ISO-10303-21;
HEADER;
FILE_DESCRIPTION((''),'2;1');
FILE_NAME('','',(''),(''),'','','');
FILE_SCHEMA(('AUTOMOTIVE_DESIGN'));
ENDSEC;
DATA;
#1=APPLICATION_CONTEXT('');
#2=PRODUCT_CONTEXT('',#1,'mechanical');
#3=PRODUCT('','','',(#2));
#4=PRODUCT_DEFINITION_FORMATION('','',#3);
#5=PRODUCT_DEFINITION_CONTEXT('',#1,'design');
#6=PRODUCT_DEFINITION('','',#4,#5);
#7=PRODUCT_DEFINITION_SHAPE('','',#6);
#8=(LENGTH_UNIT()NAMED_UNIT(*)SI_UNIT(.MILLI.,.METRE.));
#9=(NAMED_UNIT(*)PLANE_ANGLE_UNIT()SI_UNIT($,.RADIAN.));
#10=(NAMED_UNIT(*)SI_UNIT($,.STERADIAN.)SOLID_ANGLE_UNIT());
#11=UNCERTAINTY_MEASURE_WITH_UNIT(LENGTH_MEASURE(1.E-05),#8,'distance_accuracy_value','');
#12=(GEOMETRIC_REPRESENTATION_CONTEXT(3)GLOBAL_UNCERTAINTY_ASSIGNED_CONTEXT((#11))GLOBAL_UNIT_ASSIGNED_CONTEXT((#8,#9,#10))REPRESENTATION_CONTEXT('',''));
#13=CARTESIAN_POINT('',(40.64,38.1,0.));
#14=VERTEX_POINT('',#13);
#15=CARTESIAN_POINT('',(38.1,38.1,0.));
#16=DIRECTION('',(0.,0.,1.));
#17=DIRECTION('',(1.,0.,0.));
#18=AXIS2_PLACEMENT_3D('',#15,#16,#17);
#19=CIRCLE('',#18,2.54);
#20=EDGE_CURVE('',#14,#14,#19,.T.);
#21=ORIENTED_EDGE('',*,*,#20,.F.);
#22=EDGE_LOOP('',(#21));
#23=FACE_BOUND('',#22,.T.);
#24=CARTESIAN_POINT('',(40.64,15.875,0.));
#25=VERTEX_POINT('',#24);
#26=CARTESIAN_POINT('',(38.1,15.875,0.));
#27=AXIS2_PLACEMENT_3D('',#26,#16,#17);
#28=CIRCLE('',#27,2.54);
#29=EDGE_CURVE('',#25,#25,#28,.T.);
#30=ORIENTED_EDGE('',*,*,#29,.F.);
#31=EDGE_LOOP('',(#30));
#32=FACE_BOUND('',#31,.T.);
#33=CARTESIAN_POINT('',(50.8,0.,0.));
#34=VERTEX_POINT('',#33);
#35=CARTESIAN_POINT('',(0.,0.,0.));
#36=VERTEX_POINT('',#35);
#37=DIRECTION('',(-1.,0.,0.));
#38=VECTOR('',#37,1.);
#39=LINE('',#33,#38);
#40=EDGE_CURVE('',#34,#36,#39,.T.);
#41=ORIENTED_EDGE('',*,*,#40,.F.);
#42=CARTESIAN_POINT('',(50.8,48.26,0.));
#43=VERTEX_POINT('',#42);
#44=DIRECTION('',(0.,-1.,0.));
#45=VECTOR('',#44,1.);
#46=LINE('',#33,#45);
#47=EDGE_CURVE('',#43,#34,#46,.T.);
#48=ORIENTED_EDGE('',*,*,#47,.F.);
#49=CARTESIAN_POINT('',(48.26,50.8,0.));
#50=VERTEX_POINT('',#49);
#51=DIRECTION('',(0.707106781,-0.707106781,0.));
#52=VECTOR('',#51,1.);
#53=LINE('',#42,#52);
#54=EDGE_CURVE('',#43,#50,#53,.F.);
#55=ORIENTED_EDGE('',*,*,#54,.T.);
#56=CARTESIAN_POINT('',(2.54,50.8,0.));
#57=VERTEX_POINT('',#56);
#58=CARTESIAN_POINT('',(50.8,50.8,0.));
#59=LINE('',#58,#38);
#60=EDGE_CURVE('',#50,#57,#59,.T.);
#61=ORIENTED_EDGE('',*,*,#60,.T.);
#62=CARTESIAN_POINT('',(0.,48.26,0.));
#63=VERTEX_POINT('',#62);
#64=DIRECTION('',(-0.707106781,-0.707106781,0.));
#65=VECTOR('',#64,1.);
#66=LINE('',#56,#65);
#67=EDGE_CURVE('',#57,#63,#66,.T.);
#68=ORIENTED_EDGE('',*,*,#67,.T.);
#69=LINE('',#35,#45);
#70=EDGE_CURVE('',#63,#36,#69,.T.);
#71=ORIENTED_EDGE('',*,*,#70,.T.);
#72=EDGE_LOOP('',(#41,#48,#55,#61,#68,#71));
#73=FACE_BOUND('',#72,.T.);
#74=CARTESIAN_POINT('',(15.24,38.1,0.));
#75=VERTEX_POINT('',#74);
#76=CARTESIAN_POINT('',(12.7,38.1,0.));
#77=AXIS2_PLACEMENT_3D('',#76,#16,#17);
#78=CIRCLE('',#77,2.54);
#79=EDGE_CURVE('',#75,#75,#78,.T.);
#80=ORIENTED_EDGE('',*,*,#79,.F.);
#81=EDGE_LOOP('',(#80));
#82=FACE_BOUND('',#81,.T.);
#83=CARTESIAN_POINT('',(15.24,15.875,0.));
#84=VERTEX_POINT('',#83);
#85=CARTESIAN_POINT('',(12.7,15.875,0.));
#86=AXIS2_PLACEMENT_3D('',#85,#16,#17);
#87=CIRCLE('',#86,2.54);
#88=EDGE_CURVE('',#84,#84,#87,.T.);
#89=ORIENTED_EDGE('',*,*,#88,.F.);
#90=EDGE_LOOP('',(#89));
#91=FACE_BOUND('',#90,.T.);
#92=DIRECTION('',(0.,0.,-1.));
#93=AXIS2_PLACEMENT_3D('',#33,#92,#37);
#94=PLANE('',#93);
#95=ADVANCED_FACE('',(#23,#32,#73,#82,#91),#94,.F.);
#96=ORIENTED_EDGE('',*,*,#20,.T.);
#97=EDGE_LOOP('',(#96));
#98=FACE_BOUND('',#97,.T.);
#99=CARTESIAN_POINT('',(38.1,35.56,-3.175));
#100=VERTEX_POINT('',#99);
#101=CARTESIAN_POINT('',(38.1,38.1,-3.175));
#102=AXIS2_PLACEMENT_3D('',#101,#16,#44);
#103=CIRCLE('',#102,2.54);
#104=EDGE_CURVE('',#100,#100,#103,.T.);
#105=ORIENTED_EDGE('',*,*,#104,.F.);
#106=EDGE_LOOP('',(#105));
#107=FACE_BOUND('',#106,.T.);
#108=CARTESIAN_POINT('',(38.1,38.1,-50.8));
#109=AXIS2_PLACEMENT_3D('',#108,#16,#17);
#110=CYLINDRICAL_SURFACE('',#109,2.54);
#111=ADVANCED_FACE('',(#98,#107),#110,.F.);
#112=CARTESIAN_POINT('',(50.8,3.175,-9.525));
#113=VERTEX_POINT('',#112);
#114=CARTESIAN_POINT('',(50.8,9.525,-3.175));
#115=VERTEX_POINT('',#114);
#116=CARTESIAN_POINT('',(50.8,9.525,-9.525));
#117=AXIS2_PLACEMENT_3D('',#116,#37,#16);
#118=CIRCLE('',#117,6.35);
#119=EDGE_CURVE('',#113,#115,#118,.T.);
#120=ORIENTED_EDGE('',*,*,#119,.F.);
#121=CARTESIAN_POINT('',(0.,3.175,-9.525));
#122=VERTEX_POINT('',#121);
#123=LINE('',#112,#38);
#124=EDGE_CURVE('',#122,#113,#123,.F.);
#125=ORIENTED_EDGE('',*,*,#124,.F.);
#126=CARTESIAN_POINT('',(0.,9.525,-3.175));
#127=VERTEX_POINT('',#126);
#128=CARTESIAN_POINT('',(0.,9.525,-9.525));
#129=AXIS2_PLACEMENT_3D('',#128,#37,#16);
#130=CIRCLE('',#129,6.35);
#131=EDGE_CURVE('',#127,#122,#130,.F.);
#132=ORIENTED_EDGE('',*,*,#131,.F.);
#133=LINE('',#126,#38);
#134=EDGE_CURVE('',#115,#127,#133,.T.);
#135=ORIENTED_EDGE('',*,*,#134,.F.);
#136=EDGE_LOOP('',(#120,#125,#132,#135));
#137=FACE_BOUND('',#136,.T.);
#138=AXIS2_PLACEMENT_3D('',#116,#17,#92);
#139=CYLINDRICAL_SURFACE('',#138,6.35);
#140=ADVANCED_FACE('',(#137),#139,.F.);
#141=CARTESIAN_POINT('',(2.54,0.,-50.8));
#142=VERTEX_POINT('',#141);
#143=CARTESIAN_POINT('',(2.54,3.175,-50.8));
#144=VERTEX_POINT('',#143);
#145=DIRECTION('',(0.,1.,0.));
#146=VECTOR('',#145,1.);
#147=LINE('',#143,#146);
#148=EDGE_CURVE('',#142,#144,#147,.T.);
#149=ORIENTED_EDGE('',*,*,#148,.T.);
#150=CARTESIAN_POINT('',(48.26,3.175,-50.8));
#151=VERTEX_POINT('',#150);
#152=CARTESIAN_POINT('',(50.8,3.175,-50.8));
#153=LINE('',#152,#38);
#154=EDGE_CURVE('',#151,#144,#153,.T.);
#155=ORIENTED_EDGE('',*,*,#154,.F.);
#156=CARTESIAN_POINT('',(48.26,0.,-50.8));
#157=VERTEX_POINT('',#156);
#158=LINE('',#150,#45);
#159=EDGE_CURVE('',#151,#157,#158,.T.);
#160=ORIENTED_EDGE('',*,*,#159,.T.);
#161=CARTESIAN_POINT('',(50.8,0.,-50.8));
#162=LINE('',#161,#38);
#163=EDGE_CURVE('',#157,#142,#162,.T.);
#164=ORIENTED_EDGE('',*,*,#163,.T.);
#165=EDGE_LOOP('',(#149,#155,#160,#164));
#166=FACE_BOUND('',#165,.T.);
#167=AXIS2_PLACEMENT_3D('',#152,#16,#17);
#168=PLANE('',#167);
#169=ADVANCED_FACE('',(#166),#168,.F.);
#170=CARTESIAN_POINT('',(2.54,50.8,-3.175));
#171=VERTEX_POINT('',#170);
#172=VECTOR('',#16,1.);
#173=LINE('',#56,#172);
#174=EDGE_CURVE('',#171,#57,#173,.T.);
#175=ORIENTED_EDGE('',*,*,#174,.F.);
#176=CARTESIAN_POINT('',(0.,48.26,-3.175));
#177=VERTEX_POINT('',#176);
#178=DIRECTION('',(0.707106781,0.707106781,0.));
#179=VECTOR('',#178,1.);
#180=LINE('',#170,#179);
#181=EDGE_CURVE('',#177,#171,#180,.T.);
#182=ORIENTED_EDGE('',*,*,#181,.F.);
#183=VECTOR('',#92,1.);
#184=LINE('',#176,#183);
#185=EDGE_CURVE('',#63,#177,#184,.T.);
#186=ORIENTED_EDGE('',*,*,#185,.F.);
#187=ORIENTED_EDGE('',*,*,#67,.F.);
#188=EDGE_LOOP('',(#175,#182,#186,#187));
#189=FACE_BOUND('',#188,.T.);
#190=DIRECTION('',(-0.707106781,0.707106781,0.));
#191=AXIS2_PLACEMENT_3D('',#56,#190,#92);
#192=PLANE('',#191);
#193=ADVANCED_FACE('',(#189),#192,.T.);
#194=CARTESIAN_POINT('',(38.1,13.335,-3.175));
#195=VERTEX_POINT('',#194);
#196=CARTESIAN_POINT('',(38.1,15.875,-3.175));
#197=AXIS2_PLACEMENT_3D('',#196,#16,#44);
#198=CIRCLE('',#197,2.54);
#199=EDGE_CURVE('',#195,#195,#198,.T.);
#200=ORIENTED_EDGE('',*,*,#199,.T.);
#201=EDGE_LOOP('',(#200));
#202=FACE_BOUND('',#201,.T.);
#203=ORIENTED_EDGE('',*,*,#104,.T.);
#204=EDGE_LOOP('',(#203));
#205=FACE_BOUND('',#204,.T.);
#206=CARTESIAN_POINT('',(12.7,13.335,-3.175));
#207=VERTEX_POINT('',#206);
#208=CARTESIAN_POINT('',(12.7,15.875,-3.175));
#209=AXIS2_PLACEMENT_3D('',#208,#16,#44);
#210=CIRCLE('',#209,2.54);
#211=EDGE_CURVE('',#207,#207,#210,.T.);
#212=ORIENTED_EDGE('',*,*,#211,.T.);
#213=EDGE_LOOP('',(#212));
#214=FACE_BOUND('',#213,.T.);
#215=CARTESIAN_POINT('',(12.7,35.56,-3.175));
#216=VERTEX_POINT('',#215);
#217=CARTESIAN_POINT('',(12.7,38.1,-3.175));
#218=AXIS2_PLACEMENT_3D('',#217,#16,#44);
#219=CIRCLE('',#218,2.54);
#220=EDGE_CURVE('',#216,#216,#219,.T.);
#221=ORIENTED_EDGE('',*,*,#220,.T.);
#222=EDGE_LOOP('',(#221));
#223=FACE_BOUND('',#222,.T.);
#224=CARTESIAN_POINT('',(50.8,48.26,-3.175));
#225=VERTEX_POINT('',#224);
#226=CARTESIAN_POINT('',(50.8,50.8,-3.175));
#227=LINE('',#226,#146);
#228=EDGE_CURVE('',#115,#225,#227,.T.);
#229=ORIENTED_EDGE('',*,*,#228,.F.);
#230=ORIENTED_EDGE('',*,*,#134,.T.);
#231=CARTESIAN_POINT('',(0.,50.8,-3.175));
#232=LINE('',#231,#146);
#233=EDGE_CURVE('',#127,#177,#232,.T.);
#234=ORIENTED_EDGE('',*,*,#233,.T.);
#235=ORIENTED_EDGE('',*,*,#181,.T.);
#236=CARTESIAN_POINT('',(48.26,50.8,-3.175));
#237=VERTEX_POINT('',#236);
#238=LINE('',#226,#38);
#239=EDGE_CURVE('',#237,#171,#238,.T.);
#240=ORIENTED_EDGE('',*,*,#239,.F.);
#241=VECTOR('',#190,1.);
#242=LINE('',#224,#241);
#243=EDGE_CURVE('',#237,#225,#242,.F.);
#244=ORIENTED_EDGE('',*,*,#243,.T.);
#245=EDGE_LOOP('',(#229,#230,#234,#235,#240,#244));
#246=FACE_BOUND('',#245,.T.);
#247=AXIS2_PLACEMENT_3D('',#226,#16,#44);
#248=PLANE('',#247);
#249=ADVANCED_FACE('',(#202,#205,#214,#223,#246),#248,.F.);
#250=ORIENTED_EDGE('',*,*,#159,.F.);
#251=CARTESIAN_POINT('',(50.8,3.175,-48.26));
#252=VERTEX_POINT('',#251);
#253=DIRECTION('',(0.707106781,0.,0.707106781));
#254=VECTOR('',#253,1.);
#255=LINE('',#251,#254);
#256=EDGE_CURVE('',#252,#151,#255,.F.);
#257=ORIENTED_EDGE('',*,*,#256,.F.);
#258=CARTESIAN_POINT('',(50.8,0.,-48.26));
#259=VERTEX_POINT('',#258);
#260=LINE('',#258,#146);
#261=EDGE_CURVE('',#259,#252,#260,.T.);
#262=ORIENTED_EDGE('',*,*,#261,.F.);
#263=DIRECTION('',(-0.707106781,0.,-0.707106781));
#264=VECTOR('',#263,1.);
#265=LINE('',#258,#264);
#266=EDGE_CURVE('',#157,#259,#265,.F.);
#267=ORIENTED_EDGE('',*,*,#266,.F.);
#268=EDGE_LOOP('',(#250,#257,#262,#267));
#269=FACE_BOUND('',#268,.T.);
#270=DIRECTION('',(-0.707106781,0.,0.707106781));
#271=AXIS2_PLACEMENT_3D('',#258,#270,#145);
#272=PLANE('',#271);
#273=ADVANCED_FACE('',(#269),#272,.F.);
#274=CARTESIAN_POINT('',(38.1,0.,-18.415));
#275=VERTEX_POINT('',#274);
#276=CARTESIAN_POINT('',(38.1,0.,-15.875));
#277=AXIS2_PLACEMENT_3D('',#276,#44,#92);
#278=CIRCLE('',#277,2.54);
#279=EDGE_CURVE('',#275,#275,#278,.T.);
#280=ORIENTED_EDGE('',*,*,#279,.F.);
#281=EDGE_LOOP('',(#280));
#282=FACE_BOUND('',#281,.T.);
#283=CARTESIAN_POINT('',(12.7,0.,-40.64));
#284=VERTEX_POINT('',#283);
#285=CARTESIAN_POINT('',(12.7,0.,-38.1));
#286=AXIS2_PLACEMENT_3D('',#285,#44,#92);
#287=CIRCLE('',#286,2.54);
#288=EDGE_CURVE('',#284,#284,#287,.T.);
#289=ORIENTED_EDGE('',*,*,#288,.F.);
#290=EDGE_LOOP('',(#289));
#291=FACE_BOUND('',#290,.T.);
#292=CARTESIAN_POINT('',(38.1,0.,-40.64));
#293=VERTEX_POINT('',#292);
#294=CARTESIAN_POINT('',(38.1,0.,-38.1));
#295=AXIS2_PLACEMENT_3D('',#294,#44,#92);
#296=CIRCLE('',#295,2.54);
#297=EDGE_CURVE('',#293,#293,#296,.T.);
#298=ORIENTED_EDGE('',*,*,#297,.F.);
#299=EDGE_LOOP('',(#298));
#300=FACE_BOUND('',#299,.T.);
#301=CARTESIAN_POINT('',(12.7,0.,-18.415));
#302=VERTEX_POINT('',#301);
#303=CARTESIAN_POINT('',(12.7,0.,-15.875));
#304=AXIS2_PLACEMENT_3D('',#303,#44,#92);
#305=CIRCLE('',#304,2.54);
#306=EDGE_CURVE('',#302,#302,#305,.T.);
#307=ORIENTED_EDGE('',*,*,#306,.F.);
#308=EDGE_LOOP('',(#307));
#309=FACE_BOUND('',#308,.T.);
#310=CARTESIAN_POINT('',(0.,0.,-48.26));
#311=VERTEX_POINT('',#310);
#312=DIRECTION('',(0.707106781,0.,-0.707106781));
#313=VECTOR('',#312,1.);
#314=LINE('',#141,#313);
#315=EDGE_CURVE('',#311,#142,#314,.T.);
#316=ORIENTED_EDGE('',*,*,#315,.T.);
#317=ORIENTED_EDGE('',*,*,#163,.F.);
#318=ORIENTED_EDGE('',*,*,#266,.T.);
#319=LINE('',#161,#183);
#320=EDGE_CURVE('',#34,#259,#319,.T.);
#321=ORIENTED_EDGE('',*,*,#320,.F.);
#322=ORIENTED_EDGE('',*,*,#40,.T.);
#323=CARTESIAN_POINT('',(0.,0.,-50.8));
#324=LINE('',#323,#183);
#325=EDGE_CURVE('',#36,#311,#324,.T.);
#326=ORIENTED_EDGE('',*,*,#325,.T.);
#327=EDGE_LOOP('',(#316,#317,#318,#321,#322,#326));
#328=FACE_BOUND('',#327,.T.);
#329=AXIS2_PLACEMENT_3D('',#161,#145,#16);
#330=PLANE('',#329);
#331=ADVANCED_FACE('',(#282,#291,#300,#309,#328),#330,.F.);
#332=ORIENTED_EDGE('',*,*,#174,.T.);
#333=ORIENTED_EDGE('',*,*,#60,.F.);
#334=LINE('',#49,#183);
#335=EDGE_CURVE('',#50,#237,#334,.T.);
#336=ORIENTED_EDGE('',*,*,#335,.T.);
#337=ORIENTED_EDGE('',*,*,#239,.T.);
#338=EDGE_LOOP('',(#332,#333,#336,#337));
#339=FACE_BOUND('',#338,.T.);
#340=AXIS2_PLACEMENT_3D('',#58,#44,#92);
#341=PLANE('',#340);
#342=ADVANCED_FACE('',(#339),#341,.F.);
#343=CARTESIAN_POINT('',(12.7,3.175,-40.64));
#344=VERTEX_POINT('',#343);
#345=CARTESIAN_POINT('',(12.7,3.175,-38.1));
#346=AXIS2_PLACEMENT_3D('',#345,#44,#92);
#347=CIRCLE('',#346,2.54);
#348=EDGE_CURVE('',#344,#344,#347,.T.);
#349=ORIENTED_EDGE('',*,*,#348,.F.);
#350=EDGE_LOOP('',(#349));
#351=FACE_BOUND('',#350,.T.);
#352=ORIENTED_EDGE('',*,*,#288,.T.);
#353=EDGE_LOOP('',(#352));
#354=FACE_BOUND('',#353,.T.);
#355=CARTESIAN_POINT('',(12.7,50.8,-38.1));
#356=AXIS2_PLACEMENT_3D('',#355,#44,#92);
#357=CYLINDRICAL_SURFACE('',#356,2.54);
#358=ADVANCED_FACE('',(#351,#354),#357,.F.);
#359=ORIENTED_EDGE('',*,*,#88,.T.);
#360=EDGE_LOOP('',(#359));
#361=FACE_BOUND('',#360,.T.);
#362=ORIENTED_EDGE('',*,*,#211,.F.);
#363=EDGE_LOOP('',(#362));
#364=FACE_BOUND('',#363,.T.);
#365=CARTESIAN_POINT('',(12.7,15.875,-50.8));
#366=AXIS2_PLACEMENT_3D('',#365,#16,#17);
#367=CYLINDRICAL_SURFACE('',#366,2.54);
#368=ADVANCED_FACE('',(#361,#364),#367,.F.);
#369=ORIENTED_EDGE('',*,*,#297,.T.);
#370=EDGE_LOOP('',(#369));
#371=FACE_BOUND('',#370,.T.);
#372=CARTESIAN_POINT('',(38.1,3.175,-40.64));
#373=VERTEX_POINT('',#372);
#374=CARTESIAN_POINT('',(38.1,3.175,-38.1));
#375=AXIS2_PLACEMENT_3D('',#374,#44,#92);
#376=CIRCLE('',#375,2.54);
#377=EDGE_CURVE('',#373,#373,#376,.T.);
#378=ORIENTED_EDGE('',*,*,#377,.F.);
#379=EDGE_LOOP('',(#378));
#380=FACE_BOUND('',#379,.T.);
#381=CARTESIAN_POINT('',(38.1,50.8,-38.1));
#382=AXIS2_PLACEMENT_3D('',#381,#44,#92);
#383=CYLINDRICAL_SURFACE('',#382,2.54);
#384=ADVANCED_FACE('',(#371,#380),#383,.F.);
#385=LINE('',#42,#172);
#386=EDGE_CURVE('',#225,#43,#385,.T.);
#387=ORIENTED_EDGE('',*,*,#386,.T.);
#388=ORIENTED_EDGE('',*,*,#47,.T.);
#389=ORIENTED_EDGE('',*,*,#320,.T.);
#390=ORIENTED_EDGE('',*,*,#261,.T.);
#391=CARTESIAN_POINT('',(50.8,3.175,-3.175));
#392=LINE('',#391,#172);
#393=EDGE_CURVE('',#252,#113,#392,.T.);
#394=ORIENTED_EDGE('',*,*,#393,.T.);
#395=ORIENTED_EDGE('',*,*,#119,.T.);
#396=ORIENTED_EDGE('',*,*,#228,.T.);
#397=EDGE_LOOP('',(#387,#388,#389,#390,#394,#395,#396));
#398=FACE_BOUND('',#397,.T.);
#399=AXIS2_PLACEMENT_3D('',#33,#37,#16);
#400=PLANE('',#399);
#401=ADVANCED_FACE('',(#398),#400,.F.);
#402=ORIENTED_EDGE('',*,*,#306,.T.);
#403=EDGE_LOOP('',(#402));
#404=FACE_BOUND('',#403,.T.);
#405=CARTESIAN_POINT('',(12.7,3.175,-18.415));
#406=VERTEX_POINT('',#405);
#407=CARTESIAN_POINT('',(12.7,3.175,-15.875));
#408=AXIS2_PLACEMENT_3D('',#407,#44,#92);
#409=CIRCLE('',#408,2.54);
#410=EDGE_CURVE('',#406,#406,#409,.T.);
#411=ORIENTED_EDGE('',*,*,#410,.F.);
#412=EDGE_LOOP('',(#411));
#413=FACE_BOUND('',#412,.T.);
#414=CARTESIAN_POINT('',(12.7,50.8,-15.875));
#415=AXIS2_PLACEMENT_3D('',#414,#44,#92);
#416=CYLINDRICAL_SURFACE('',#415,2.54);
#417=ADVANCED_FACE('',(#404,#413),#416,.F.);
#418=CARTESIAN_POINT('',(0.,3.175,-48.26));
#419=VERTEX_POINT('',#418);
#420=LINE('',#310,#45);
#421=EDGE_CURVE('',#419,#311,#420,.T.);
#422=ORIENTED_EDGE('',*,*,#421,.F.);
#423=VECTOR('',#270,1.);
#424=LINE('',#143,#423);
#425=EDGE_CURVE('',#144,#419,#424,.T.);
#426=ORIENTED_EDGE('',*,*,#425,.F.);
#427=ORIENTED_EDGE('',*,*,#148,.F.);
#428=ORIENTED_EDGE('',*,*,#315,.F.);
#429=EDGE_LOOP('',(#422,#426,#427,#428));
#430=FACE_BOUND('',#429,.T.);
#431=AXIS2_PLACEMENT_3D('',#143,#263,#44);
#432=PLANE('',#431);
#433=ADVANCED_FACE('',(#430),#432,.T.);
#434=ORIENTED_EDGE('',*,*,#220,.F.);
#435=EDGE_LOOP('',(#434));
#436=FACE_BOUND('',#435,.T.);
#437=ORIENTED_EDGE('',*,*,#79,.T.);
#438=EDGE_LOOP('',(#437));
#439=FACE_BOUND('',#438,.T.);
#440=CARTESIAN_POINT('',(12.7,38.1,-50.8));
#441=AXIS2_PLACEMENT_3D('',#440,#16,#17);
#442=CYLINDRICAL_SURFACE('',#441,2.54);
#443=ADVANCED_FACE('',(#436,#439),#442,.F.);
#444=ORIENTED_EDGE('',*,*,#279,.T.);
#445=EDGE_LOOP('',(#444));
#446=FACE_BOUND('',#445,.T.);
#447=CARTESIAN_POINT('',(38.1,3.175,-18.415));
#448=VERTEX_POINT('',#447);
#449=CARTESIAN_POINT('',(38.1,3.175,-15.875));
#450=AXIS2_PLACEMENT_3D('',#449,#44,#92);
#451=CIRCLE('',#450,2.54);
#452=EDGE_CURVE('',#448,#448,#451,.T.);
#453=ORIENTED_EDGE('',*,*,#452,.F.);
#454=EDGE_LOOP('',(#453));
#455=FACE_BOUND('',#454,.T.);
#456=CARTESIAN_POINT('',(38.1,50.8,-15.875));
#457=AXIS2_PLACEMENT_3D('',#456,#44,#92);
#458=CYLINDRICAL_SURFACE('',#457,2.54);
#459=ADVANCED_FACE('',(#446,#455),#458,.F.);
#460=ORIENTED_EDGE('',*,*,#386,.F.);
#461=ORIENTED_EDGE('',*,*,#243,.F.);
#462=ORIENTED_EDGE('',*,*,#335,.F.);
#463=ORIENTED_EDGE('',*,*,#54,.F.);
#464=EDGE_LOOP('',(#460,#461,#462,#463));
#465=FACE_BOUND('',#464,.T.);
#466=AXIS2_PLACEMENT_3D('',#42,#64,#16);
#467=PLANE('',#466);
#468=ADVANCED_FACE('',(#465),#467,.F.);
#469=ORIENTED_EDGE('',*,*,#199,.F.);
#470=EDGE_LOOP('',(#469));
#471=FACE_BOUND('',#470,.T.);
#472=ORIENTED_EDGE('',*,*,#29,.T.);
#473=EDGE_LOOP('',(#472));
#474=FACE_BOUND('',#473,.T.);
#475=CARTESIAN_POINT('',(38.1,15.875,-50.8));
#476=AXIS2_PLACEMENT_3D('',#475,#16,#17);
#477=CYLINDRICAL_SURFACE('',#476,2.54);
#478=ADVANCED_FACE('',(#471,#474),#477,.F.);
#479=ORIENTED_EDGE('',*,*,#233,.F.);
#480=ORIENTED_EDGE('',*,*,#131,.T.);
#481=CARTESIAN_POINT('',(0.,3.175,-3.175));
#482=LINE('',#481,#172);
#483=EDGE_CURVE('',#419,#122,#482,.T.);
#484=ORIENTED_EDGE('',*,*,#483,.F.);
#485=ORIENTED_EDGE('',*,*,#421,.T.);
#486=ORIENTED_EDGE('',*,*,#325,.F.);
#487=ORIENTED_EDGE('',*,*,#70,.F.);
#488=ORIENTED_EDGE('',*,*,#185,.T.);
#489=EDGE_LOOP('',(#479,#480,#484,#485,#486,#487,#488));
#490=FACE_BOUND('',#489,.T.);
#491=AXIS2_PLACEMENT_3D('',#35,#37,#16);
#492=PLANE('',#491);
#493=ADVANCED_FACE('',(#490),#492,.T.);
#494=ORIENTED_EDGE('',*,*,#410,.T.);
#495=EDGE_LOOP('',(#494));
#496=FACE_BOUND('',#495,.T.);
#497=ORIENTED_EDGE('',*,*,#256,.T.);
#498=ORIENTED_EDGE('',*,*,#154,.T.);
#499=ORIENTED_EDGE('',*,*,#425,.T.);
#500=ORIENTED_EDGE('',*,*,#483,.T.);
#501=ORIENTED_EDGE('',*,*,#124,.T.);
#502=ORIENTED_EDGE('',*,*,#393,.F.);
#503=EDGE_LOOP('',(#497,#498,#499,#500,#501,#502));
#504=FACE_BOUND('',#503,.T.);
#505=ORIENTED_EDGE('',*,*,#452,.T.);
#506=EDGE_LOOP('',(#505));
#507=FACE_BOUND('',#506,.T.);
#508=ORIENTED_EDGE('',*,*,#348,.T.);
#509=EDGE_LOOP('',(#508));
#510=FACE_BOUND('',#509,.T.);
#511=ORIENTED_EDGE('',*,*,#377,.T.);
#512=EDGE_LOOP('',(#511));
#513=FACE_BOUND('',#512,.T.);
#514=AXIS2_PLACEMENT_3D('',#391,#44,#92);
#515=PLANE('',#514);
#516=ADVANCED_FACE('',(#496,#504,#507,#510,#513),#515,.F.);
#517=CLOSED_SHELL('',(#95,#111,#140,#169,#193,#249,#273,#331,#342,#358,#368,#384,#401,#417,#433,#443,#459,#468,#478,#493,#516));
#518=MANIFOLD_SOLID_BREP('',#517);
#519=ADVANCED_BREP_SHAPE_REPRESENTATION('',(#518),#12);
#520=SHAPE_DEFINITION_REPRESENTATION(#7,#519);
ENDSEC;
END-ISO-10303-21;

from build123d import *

# Parameters (mm, degrees)
BOSS_EXTRUDE1_DEPTH = 50.8
SKETCH2_R           = 2.54
CUT_EXTRUDE1_DEPTH  = 88.988181024
SKETCH3_R           = 2.54
CUT_EXTRUDE2_DEPTH  = 88.988181024
FILLET1_R           = 6.35
CHAMFER1_SIZE       = 2.54


with BuildPart() as part:
    # Sketch1 → Boss-Extrude1 (new body)
    with BuildSketch(Plane(origin=(0, 0, 0), x_dir=(0, 0, -1), z_dir=(1, 0, 0))):
        Polygon((0, 0), (0, 50.8), (3.175, 50.8), (3.175, 3.175), (50.8, 3.175), (50.8, 0), align=None)
    extrude(amount=BOSS_EXTRUDE1_DEPTH)

    # Sketch2 → Cut-Extrude1 (cut, through all)
    with BuildSketch(Plane.XY):
        with Locations((12.7, 38.1)):
            Circle(SKETCH2_R)
        with Locations((12.7, 15.875)):
            Circle(SKETCH2_R)
        with Locations((38.1, 38.1)):
            Circle(SKETCH2_R)
        with Locations((38.1, 15.875)):
            Circle(SKETCH2_R)
    extrude(amount=-CUT_EXTRUDE1_DEPTH, mode=Mode.SUBTRACT)

    # Sketch3 → Cut-Extrude2 (cut, through all)
    with BuildSketch(Plane.XZ):
        with Locations(Location((38.1, -38.1, 0), (0, 0, 270))):
            Circle(SKETCH3_R)
        with Locations(Location((38.1, -15.875, 0), (0, 0, 270))):
            Circle(SKETCH3_R)
        with Locations(Location((12.7, -38.1, 0), (0, 0, 270))):
            Circle(SKETCH3_R)
        with Locations(Location((12.7, -15.875, 0), (0, 0, 270))):
            Circle(SKETCH3_R)
    extrude(amount=-CUT_EXTRUDE2_DEPTH, mode=Mode.SUBTRACT)

    # Fillet1
    fillet1_edges = [part.edges().sort_by_distance(p)[0] for p in [
        (25.4, 3.175, -3.175),
    ]]
    fillet(fillet1_edges, radius=FILLET1_R)

    # Chamfer1
    chamfer1_edges = [part.edges().sort_by_distance(p)[0] for p in [
        (50.8, 50.8, -1.5875),
        (0, 50.8, -1.5875),
        (0, 1.5875, -50.8),
        (50.8, 1.5875, -50.8),
    ]]
    chamfer(chamfer1_edges, length=CHAMFER1_SIZE)


solid = part.part
